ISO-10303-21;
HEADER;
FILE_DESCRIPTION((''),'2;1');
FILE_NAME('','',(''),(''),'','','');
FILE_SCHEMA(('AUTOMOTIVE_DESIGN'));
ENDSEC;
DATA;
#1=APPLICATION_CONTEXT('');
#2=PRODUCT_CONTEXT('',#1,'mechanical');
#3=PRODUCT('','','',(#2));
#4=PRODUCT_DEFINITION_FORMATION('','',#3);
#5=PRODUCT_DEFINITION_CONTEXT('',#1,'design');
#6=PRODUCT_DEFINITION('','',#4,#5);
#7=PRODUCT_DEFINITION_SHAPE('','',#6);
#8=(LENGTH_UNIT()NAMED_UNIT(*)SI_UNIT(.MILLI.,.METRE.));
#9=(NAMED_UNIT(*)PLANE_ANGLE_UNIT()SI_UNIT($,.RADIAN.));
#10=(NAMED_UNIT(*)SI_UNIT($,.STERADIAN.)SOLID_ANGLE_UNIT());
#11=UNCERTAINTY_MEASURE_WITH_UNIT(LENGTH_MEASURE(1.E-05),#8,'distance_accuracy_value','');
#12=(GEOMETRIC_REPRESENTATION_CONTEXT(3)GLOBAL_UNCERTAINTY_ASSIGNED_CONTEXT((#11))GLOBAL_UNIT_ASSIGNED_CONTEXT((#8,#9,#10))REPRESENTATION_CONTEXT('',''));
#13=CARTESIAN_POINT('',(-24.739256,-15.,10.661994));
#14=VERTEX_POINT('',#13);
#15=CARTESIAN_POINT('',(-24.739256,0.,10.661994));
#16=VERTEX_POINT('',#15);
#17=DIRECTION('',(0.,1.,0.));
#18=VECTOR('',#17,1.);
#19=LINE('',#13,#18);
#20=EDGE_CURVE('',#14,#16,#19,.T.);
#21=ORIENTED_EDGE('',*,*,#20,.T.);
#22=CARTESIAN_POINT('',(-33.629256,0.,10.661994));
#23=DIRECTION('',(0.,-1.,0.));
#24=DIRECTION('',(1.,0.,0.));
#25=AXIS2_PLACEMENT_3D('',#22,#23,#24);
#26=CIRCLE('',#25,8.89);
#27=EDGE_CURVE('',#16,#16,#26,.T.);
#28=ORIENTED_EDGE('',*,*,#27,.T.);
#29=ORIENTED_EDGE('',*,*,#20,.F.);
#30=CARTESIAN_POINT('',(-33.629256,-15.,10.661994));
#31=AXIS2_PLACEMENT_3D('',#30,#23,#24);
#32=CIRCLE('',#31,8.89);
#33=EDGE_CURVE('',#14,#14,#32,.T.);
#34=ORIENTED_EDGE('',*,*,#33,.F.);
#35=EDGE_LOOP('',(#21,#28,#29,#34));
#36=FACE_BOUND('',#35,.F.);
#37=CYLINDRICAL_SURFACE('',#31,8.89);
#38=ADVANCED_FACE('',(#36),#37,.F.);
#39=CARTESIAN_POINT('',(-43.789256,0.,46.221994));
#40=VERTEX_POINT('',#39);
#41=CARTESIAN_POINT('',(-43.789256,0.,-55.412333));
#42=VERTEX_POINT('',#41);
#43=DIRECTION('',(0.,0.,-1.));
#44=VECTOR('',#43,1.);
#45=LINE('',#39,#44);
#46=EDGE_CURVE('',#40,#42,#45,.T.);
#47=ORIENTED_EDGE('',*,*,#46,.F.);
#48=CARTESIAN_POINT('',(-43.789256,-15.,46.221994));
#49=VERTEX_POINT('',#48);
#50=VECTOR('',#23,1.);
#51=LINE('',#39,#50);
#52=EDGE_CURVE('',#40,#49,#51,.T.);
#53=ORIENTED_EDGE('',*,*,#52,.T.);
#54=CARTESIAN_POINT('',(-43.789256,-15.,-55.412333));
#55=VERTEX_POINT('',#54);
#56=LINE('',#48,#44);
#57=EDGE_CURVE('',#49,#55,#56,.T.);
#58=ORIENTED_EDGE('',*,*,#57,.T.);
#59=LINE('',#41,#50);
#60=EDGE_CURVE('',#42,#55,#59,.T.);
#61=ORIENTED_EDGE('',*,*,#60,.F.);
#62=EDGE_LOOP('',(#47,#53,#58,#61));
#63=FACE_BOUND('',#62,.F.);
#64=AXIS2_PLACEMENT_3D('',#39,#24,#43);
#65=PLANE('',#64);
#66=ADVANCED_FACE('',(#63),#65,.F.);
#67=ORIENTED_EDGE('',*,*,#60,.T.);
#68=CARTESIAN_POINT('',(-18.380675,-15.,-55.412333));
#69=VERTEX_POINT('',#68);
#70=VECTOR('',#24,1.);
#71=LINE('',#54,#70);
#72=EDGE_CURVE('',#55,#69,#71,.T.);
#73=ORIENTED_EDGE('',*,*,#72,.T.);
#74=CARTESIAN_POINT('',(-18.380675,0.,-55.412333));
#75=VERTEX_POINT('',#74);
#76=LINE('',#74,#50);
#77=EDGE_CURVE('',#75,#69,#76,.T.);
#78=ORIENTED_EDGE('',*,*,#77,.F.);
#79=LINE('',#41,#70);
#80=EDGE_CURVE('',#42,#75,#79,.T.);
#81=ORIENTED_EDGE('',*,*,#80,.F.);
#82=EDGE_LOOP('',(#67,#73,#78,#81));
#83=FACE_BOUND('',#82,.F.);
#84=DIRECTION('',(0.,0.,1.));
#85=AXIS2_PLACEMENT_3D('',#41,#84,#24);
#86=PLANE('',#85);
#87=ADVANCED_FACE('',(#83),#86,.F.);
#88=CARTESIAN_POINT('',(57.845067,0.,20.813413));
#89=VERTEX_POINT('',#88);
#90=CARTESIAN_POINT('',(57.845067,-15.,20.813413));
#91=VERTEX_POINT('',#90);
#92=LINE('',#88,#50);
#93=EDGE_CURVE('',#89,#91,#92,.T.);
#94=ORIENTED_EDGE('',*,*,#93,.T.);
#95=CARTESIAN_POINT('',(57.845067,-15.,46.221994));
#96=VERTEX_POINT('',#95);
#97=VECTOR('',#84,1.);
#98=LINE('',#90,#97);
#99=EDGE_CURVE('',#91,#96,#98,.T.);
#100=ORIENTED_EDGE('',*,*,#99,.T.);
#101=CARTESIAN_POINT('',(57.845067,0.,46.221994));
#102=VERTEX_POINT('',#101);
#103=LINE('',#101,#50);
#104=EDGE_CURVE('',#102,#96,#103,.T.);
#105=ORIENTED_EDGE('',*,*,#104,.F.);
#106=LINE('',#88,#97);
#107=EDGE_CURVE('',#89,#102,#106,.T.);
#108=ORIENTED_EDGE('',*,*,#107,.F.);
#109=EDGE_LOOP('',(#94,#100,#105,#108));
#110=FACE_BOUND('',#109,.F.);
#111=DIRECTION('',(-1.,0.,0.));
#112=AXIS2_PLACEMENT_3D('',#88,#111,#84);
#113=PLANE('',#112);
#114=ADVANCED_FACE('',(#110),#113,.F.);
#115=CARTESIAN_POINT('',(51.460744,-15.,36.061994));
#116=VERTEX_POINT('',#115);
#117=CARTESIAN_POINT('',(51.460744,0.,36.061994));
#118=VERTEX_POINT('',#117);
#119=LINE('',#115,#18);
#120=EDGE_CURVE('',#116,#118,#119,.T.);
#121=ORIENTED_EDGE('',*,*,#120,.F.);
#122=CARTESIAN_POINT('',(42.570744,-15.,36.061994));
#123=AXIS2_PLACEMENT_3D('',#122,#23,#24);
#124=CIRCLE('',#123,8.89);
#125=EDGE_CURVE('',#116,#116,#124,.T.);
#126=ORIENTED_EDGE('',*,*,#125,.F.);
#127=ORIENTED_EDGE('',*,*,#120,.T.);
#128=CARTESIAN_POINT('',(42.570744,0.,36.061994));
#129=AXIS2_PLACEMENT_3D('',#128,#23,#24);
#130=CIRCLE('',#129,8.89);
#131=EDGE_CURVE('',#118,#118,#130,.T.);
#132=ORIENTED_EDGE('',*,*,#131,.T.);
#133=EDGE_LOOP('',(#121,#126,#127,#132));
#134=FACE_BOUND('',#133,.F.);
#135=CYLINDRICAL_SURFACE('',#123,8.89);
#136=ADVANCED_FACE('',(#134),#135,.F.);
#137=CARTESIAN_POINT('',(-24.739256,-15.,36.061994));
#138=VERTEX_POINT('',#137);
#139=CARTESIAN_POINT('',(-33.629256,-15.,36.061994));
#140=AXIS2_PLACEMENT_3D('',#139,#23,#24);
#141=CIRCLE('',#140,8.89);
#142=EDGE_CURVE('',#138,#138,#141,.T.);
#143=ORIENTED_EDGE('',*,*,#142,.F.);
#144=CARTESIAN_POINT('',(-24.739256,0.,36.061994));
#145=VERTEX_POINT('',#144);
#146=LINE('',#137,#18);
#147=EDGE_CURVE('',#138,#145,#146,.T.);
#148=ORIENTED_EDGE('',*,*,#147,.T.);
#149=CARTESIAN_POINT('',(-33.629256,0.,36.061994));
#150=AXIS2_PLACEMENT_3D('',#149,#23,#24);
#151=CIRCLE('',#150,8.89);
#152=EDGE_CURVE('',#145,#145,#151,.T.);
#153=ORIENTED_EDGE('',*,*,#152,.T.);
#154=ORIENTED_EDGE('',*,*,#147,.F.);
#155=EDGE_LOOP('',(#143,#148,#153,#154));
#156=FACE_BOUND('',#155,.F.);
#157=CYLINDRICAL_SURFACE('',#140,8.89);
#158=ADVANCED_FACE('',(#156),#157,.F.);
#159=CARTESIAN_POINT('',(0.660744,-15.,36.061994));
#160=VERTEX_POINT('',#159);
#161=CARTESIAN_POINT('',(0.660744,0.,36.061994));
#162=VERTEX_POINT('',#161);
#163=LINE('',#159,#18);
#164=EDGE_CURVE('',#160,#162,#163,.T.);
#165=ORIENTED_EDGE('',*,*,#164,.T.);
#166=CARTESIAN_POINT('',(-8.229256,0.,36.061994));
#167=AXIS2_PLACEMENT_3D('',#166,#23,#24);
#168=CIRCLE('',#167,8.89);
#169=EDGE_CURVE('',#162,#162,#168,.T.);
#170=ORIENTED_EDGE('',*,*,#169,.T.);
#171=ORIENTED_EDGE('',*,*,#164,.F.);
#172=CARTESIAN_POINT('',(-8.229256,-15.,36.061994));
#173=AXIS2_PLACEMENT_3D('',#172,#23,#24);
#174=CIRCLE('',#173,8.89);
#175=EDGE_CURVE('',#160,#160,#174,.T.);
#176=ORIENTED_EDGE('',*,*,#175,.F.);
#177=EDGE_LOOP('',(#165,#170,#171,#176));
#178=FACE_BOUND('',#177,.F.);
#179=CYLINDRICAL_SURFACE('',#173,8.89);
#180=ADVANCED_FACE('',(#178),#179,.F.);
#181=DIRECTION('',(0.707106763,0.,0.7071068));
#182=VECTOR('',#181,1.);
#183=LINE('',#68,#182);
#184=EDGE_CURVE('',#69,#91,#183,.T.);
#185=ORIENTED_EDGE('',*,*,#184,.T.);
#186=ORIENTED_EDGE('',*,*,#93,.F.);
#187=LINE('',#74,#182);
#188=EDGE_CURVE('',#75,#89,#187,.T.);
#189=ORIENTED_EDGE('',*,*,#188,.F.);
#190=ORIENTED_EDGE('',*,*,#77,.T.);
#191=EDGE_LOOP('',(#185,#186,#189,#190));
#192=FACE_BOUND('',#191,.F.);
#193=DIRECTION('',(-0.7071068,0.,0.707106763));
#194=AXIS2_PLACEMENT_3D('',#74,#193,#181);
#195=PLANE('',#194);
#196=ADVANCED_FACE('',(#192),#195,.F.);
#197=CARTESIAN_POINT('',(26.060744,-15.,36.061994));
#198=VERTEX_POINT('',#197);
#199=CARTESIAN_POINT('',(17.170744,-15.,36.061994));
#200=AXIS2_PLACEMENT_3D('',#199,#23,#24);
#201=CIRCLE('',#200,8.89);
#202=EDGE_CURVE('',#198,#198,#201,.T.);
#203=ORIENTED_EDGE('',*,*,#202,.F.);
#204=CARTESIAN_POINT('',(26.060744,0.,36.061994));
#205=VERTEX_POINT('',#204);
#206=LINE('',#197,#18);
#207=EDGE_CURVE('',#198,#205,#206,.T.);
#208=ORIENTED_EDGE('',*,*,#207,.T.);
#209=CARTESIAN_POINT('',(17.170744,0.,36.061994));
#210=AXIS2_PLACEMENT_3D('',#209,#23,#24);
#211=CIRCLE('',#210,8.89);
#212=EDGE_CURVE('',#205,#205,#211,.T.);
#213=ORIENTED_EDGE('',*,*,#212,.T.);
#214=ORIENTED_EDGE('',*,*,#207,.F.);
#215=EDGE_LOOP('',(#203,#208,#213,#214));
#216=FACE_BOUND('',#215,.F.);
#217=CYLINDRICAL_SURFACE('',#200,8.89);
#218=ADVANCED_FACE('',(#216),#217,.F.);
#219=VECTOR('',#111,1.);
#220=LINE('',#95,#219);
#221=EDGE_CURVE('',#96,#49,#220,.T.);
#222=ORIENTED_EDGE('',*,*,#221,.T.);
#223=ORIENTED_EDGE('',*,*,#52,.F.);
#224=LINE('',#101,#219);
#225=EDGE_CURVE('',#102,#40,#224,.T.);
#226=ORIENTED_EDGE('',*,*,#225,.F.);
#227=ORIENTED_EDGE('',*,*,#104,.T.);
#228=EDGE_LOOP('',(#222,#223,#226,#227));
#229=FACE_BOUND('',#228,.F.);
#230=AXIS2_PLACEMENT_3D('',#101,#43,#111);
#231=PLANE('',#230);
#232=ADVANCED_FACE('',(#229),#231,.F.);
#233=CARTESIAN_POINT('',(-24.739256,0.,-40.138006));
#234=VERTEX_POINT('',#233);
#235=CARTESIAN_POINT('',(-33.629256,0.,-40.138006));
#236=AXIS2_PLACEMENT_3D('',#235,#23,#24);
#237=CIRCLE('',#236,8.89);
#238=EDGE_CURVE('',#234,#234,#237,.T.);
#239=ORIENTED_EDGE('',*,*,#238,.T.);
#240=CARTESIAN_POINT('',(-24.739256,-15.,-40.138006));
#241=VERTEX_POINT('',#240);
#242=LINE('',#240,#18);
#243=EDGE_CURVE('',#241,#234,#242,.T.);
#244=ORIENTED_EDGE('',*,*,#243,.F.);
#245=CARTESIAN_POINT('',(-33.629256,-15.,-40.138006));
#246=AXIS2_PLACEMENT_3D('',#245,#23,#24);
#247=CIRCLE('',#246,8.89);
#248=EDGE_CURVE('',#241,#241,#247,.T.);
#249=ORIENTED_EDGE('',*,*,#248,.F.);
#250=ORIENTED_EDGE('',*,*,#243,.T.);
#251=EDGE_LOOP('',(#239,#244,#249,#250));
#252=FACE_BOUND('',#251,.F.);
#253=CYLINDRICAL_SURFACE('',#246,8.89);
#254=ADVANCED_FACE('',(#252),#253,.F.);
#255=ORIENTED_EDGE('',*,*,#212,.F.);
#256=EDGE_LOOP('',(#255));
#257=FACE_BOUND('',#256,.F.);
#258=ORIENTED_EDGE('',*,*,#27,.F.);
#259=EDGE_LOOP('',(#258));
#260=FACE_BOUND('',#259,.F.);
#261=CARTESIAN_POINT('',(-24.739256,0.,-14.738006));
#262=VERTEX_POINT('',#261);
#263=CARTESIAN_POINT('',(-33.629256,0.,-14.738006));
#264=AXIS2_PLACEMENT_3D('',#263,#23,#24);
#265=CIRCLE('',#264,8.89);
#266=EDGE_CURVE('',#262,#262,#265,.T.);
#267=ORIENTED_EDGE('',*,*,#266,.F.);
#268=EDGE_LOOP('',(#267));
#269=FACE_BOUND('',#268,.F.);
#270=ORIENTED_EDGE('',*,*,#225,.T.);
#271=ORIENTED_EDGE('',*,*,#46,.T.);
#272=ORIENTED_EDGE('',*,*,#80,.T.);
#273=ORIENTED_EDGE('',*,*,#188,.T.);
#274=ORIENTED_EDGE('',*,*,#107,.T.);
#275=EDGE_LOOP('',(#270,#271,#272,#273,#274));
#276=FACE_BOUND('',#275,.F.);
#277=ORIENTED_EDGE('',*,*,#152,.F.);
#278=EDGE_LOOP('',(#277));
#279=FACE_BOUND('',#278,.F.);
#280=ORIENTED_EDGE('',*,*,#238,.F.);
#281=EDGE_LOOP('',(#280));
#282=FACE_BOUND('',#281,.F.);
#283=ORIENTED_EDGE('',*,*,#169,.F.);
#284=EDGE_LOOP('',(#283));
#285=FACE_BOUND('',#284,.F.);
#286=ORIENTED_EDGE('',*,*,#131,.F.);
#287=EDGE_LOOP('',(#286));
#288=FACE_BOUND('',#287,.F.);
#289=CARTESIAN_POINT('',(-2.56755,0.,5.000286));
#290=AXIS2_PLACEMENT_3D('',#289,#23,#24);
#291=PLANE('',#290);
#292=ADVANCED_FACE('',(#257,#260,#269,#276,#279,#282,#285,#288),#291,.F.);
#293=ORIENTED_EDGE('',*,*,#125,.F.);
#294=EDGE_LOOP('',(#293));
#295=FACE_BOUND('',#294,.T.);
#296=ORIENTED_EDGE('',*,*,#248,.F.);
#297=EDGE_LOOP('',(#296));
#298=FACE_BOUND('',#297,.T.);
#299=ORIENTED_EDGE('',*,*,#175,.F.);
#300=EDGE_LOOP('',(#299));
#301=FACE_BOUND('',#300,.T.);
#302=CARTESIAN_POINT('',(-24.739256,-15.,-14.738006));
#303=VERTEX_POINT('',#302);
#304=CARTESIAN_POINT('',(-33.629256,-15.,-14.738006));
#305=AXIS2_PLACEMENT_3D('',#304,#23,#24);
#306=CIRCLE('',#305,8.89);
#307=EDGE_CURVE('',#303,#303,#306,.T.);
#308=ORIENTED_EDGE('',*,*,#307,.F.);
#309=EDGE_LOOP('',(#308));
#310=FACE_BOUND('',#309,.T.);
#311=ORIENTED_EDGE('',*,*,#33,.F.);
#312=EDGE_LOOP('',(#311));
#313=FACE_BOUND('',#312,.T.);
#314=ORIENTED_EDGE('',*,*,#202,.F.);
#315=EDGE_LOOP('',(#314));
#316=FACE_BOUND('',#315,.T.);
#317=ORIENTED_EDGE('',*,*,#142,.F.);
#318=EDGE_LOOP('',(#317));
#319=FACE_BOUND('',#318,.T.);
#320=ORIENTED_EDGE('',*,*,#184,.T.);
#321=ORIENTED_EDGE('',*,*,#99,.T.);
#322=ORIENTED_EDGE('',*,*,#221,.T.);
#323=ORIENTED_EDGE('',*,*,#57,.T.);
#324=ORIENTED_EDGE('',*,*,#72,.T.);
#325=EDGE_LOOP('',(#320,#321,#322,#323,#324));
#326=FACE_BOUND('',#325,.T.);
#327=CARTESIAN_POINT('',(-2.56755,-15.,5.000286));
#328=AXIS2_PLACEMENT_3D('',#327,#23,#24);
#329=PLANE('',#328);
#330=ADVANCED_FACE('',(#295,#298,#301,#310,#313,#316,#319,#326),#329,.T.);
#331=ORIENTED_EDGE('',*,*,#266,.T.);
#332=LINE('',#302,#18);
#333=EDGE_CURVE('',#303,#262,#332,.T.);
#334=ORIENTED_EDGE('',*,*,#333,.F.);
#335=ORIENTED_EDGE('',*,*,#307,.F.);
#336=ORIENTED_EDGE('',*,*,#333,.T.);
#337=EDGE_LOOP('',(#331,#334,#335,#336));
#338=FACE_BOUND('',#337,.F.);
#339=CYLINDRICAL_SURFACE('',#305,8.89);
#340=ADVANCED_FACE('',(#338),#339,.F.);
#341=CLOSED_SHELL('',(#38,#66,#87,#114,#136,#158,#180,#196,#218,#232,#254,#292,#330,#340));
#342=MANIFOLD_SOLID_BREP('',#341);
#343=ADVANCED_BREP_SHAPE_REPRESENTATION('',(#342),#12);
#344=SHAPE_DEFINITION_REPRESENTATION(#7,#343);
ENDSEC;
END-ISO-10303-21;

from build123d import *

# Parameters (mm, degrees)
F1_DEPTH = 15
F2_R     = 8.89
F3_DEPTH = 508


with BuildPart() as f1:
    # F0 (on Front) → F1 (new body)
    with BuildSketch(Plane.XZ):
        Polygon((57.845067, 46.221994), (-43.789256, 46.221994), (-43.789256, -55.412333), (-18.380675, -55.412333), (57.845067, 20.813413), align=None)
    extrude(amount=F1_DEPTH)

    # F2 (on face) → F3 (cut)
    with BuildSketch(Plane.XZ.offset(15)):
        with Locations((-33.629256, 36.061994)):
            Circle(F2_R)
        with Locations((-33.629256, 10.661994)):
            Circle(F2_R)
        with Locations((-33.629256, -14.738006)):
            Circle(F2_R)
        with Locations((-33.629256, -40.138006)):
            Circle(F2_R)
        with Locations((-8.229256, 36.061994)):
            Circle(F2_R)
        with Locations((17.170744, 36.061994)):
            Circle(F2_R)
        with Locations((42.570744, 36.061994)):
            Circle(F2_R)
    extrude(amount=-F3_DEPTH, mode=Mode.SUBTRACT)


solid = f1.part
